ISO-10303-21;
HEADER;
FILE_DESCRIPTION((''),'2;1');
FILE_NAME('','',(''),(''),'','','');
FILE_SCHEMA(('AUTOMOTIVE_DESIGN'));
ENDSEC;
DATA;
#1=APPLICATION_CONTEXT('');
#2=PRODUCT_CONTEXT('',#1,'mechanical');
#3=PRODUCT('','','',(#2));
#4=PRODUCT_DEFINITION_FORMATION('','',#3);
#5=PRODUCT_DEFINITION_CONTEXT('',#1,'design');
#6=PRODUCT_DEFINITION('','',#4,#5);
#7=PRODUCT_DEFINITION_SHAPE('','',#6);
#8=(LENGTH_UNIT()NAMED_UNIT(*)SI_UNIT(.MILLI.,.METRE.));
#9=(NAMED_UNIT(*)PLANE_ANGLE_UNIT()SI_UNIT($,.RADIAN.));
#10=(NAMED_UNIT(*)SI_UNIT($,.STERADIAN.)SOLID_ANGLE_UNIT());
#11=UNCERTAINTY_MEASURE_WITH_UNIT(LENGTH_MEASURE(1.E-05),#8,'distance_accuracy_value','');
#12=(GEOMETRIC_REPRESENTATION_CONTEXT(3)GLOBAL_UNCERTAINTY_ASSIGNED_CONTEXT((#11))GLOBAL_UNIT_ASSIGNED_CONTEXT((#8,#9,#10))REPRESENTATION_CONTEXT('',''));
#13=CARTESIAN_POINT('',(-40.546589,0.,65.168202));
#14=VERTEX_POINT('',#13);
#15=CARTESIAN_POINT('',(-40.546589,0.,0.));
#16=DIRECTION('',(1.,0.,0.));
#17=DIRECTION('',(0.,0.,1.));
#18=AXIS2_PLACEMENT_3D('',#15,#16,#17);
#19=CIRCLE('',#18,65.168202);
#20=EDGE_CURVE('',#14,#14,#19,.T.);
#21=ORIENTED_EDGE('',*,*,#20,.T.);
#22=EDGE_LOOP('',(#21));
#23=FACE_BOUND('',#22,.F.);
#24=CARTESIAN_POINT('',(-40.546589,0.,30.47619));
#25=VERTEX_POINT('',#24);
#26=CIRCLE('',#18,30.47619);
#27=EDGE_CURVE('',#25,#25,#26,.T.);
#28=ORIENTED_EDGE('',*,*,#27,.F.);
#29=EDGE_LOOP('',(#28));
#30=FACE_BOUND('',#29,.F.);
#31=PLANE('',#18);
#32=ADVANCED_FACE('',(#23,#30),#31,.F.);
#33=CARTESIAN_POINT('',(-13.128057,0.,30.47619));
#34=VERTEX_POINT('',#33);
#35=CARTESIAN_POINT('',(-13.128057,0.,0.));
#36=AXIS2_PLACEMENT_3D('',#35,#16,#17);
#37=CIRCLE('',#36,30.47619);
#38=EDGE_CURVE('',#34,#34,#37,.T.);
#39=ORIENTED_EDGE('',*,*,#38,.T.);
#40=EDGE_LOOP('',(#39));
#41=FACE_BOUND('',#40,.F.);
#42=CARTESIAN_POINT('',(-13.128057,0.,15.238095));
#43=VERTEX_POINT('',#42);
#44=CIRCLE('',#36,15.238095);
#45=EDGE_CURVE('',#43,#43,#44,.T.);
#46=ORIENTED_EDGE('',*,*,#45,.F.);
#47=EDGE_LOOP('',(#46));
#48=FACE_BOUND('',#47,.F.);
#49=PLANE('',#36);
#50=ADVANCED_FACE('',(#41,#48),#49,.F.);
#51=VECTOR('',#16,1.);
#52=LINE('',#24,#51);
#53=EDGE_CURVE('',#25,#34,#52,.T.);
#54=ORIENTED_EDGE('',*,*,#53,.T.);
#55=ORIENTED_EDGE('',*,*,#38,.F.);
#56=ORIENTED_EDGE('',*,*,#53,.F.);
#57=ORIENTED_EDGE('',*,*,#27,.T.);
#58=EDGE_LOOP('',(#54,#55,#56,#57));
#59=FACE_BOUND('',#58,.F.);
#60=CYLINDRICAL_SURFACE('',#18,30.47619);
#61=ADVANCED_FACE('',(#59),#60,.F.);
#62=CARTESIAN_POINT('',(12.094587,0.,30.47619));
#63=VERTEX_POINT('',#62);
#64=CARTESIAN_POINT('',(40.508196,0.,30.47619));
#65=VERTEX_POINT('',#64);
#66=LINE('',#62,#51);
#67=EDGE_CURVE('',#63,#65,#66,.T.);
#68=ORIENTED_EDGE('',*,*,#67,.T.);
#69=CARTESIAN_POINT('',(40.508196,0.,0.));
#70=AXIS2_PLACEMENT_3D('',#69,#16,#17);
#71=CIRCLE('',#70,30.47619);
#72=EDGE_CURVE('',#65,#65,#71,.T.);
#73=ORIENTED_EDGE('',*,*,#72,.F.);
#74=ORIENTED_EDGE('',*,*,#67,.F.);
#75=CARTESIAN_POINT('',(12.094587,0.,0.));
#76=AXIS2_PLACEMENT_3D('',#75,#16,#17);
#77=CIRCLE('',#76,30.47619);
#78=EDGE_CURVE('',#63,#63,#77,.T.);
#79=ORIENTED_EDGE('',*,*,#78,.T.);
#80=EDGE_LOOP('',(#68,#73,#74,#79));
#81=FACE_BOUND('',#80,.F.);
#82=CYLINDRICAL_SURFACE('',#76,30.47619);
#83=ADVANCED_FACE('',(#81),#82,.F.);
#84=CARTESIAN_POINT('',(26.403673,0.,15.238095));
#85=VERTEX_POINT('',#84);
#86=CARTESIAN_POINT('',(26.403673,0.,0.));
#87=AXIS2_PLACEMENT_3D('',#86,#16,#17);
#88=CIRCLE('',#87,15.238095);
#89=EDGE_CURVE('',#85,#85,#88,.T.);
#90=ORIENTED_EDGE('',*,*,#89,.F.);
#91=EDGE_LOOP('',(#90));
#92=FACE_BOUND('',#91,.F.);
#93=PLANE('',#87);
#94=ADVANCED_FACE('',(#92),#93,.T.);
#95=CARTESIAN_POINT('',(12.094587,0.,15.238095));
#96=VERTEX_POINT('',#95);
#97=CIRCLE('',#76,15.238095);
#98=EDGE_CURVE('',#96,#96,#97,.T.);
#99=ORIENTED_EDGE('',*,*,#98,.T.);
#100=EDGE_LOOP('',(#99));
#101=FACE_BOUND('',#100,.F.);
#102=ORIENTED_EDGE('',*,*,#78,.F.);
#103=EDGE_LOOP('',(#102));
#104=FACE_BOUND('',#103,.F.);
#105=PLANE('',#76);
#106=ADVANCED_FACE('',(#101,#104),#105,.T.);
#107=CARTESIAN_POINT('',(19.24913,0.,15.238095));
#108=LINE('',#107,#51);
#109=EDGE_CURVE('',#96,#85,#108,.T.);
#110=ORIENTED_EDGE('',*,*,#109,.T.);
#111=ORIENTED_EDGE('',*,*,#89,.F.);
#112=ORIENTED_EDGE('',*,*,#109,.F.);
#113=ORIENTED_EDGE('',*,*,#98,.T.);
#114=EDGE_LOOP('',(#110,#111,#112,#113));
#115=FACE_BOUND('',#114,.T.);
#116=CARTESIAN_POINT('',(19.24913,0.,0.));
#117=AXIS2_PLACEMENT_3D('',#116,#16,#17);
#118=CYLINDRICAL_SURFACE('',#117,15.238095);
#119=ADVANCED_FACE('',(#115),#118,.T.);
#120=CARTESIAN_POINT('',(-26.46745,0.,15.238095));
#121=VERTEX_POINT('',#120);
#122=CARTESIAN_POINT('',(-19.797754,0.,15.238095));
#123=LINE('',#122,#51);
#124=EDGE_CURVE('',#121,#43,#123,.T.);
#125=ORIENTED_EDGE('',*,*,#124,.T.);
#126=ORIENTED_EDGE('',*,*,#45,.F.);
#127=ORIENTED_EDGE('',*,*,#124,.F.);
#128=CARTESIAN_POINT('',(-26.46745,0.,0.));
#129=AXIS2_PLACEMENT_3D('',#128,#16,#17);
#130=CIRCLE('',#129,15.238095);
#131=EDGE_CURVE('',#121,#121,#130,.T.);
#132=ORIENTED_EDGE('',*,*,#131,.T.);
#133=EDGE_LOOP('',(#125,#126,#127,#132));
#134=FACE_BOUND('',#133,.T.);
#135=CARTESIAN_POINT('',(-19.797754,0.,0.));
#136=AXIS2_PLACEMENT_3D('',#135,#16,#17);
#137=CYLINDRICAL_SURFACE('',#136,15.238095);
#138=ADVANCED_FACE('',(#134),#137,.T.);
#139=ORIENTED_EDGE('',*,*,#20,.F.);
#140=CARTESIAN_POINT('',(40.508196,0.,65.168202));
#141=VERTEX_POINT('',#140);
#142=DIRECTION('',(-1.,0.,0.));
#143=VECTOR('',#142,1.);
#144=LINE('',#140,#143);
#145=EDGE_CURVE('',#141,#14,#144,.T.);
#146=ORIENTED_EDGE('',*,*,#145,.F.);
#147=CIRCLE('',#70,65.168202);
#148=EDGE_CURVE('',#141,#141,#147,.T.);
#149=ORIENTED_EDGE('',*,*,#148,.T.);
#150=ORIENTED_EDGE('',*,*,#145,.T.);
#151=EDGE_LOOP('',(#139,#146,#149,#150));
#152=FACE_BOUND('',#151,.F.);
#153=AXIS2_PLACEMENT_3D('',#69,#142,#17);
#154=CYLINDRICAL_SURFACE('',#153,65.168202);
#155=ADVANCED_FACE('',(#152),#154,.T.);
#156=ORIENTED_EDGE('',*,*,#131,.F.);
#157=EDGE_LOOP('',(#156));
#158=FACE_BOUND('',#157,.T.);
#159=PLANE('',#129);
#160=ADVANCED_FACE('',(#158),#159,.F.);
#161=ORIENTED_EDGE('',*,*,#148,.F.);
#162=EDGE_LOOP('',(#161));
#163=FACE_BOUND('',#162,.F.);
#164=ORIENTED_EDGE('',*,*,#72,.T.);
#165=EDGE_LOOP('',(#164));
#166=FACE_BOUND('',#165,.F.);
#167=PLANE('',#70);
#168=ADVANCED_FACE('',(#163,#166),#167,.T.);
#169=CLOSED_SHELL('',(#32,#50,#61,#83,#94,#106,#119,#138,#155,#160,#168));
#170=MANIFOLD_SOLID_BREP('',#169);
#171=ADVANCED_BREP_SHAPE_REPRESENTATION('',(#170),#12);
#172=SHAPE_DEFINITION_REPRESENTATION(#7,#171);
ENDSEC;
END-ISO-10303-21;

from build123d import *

# Parameters (mm, degrees)
F0_W   = 14.3090859056
F0_H   = 15.2380950749
F0_W_2 = 13.3393928409


with BuildPart() as f1:
    # F0 (on Front) → F1 (revolve)
    with BuildSketch(Plane.XZ):
        with Locations((19.2491300404, 7.6190475374)):
            Rectangle(F0_W, F0_H)
        Polygon((12.0945870876, 30.4761901498), (-13.1280571222, 30.4761901498), (-13.1280571222, 15.2380950749), (-13.1280571222, 0), (12.0945870876, 0), (12.0945870876, 15.2380950749), align=None)
        with Locations((-19.7977535427, 7.6190475374)):
            Rectangle(F0_W_2, F0_H)
        Polygon((40.5081957579, 65.1682019234), (-40.5465885997, 65.1682019234), (-40.5465885997, 30.4761901498), (-13.1280571222, 30.4761901498), (12.0945870876, 30.4761901498), (40.5081957579, 30.4761901498), align=None)
    revolve(axis=Axis((-0.5167350173, 0, 0), (1, 0, 0)))


solid = f1.part
